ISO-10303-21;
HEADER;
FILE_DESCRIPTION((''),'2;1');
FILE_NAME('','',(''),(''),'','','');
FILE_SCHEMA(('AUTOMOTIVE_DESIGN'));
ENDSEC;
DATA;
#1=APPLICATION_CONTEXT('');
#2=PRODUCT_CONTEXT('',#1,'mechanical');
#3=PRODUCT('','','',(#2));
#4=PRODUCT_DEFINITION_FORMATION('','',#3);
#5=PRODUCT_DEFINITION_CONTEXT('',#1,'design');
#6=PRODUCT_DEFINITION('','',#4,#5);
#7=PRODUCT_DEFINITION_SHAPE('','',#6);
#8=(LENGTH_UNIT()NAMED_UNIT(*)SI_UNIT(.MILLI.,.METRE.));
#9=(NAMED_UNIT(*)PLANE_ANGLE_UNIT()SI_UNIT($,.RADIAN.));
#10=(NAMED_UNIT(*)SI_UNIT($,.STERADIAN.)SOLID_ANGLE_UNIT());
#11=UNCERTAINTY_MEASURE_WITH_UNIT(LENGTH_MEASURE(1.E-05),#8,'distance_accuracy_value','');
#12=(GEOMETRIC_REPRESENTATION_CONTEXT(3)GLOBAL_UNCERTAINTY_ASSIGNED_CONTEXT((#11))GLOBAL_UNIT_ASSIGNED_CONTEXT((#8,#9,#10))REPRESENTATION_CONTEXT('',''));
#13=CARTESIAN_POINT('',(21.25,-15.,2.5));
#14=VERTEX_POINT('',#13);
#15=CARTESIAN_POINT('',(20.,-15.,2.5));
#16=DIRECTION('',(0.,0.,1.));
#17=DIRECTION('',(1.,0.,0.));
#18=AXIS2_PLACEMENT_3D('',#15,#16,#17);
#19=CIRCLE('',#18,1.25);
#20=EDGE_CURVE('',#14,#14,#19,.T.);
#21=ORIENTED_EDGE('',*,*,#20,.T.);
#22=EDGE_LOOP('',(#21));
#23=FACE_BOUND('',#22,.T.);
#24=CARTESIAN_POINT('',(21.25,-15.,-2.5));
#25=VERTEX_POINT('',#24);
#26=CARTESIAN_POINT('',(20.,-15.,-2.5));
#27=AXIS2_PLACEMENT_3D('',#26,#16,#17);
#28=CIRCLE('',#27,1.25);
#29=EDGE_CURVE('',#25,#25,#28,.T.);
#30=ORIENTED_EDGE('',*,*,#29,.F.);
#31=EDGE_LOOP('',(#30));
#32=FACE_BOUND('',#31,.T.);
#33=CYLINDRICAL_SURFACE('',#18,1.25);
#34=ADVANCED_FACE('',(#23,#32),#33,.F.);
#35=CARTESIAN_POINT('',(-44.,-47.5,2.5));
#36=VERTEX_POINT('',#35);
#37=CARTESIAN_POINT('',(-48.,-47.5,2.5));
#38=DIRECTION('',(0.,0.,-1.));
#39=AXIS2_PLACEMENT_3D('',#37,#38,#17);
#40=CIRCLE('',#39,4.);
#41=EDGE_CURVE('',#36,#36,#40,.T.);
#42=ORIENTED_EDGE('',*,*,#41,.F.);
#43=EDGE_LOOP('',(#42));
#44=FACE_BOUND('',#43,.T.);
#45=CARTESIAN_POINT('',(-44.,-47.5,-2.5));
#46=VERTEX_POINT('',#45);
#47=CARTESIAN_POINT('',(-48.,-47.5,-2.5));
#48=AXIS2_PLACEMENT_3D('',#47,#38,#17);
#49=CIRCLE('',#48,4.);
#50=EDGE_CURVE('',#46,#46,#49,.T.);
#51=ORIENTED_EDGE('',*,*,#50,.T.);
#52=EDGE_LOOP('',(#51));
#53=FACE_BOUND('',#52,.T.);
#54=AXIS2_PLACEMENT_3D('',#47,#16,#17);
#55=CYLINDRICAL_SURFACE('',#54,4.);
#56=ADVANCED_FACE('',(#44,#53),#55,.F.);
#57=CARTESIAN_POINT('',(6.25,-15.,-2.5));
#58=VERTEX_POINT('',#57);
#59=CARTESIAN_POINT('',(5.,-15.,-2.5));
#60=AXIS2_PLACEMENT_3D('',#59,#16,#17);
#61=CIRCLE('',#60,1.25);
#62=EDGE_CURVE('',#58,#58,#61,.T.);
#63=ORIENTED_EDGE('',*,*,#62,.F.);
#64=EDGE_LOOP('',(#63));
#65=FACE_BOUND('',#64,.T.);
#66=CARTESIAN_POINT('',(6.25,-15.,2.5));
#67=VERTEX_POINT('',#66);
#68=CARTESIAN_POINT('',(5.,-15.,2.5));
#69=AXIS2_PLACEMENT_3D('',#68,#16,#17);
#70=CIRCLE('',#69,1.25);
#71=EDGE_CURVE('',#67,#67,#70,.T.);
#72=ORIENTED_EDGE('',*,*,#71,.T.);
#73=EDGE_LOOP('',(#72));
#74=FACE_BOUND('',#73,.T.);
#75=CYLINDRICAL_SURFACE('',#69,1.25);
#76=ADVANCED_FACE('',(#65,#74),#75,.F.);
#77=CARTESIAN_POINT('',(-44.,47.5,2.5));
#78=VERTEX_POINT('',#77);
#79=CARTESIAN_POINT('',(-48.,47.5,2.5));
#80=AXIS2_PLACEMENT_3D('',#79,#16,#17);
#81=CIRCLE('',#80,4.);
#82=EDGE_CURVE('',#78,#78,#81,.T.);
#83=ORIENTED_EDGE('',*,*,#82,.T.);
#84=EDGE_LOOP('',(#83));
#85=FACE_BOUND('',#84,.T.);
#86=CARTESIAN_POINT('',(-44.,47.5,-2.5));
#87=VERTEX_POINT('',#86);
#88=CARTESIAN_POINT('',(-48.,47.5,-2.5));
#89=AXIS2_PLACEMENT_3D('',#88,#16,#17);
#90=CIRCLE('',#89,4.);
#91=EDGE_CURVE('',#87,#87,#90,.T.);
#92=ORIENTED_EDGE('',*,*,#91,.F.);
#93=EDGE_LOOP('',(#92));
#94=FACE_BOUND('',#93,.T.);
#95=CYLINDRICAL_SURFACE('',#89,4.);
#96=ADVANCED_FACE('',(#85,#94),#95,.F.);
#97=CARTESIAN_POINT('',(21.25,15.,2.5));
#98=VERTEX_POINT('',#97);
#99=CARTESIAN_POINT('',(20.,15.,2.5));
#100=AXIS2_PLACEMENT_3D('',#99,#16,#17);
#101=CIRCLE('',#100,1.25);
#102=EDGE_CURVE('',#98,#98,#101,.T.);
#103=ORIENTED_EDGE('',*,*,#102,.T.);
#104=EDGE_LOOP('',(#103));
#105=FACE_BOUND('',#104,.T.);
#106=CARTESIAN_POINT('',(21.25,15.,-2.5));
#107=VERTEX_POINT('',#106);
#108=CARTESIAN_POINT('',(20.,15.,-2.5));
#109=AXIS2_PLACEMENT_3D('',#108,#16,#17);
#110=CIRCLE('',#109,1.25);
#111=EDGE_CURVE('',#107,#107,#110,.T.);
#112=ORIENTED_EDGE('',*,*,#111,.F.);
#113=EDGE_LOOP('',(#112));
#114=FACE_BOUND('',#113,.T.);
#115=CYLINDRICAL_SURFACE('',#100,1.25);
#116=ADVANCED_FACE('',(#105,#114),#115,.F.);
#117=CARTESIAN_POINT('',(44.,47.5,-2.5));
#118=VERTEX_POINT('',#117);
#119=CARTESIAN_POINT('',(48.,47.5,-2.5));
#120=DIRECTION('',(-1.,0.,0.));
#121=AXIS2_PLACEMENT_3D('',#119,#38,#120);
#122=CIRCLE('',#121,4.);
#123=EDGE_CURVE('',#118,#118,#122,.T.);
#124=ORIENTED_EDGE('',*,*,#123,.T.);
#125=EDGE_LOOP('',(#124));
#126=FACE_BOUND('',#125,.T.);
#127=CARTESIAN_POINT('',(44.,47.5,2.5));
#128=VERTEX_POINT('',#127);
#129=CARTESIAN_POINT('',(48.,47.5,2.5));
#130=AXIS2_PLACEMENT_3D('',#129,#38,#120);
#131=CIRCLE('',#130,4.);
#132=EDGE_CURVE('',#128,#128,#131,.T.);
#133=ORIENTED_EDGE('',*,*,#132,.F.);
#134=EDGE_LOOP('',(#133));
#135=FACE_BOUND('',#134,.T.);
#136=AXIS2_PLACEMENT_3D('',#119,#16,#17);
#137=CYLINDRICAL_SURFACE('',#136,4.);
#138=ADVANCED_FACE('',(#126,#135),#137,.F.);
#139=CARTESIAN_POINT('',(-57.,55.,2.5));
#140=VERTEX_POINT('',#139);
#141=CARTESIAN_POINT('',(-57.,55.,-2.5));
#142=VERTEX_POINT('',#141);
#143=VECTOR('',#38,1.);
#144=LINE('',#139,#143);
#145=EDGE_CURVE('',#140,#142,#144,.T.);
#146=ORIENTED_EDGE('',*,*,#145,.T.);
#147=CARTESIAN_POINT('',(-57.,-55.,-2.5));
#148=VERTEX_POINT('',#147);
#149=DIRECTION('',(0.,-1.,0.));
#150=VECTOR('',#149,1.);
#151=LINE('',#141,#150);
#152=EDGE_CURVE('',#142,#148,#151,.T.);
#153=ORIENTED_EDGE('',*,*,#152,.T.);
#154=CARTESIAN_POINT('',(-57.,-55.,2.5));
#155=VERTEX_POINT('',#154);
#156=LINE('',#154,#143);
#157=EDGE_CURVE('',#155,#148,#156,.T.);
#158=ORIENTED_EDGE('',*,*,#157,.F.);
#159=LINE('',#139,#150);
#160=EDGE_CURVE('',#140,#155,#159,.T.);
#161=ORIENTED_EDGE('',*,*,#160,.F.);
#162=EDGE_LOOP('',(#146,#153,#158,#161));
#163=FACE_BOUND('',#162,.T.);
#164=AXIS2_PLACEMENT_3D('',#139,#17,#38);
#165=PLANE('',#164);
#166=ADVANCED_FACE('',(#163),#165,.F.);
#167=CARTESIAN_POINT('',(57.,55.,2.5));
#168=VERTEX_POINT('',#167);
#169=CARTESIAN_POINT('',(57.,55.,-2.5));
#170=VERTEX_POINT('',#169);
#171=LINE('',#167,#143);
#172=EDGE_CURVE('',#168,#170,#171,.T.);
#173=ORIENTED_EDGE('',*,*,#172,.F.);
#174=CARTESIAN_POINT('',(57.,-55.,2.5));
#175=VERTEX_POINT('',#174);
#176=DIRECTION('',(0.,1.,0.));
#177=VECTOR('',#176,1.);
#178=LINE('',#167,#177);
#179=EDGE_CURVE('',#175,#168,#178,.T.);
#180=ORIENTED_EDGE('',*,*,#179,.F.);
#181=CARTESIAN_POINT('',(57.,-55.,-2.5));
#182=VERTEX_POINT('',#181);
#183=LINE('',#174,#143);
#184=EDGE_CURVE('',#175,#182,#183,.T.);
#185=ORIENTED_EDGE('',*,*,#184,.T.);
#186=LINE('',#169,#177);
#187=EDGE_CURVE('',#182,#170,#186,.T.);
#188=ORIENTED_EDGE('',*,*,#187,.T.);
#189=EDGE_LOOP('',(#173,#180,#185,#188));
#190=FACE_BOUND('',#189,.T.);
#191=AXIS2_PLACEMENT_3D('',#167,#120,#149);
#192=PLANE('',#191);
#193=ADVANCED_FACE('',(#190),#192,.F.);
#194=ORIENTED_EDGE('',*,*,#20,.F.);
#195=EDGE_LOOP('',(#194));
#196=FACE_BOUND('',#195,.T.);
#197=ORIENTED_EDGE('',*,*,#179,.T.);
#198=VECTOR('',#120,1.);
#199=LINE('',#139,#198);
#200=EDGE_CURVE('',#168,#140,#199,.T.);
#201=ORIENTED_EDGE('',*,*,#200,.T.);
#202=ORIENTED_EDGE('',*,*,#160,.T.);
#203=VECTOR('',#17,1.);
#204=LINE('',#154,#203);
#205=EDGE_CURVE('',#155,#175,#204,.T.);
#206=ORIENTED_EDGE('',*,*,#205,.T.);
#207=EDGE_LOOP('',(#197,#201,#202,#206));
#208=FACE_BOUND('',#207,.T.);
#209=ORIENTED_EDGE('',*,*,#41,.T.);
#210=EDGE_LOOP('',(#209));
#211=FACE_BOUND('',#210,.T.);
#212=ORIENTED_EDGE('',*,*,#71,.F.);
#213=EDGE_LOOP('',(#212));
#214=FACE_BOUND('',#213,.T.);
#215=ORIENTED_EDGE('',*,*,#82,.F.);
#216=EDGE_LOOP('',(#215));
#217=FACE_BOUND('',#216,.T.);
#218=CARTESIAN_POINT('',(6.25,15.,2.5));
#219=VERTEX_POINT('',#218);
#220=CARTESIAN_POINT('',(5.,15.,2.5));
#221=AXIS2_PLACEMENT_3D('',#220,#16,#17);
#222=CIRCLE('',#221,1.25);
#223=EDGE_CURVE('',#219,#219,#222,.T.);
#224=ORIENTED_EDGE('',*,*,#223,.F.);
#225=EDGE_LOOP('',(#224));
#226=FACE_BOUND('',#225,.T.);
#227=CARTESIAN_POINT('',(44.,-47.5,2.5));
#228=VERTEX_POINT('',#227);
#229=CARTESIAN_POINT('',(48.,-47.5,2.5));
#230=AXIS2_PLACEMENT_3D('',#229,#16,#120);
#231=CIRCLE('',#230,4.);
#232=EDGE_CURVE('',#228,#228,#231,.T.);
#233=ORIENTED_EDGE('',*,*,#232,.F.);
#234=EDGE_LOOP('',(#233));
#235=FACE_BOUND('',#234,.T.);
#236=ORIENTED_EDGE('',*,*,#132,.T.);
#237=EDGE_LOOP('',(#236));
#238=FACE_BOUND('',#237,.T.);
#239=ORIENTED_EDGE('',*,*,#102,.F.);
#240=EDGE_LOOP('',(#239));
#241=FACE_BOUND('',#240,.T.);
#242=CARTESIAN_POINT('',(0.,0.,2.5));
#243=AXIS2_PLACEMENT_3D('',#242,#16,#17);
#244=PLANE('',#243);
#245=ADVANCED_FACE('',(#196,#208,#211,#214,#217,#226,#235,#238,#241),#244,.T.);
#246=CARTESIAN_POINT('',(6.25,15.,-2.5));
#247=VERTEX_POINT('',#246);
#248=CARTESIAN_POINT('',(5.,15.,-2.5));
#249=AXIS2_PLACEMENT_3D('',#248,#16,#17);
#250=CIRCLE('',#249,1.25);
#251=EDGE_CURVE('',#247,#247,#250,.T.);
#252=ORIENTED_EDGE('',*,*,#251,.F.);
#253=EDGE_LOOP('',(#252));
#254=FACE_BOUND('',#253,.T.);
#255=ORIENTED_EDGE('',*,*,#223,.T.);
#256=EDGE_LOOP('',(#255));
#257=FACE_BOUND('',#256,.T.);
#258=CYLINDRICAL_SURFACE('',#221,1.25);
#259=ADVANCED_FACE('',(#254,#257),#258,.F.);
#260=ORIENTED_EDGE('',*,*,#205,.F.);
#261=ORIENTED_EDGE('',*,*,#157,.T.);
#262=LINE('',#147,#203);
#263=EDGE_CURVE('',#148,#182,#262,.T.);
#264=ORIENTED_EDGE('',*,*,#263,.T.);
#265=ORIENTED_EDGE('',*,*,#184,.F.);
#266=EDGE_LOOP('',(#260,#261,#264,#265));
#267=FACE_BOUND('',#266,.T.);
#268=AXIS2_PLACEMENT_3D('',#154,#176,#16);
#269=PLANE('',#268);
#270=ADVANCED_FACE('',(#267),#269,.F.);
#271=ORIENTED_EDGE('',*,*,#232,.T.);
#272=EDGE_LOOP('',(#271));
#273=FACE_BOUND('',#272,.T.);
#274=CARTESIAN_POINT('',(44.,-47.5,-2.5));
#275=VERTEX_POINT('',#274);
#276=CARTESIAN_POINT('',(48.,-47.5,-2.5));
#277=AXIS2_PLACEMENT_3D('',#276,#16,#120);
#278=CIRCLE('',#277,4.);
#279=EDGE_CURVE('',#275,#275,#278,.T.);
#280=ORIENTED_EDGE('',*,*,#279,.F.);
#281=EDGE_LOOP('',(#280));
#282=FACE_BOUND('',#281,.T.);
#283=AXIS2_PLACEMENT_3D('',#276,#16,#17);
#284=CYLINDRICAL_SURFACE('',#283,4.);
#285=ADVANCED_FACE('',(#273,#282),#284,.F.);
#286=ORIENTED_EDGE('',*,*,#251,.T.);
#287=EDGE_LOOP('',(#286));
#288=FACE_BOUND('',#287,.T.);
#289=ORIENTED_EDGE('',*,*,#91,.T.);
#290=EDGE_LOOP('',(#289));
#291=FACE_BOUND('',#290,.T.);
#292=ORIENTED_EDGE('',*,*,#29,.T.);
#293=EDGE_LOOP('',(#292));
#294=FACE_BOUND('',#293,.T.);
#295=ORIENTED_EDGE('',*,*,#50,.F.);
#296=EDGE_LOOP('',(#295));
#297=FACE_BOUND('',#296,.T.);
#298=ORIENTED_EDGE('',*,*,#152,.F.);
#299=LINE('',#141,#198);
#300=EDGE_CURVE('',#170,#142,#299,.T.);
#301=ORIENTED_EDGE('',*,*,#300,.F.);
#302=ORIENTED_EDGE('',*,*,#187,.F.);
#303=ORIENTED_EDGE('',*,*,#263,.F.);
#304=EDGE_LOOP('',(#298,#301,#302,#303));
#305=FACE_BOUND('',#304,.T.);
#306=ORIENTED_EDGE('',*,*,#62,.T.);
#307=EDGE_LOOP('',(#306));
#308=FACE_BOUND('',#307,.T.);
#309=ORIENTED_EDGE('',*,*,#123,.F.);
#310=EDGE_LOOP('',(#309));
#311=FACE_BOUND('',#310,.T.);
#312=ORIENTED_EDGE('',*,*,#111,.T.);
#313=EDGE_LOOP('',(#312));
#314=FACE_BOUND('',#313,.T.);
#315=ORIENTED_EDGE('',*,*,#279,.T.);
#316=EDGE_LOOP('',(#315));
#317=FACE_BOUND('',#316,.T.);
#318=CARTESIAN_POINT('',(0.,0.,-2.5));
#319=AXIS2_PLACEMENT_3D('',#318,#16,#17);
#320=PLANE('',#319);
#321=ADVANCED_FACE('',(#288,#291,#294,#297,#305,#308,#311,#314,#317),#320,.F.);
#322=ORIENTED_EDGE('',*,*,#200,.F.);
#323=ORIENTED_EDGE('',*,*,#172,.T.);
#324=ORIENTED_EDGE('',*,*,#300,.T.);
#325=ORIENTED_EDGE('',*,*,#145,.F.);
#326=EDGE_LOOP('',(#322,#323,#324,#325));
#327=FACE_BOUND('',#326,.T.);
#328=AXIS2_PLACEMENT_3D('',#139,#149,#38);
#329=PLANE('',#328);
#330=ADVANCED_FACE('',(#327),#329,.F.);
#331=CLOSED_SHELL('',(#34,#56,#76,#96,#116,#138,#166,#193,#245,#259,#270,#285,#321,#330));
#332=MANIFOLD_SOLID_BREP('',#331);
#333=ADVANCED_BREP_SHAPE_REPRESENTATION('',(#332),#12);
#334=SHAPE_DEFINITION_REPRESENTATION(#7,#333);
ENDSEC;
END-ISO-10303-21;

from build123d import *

# Parameters (mm, degrees)
SKETCH_1_W               = 114
SKETCH_1_H               = 110
EXTRUDE_2_DEPTH          = 2.5
SKETCH_2_R               = 4
CUT_EXTRUDE_1_DEPTH      = 80.366239674
MIRROR_2_COPY_1_SKETCH_R = 4
MIRROR_2_COPY_1_DEPTH    = 80.366239674
HOLE_WIZARD_M3_1_D       = 2.5


with BuildPart() as part:
    # 草图1 → 凸台-拉伸2 (new, symmetric)
    with BuildSketch(Plane.XY):
        Rectangle(SKETCH_1_W, SKETCH_1_H)
    extrude(amount=EXTRUDE_2_DEPTH, both=True)

    # 草图2 → 切除-拉伸1 (cut, through all)
    with BuildSketch(Plane.XY.offset(2.5)):
        with Locations((-48, 47.5)):
            Circle(SKETCH_2_R)
    cut_extrude_1 = extrude(amount=-CUT_EXTRUDE_1_DEPTH, mode=Mode.SUBTRACT)

    # 镜向1: 切除-拉伸1 across plane
    add(cut_extrude_1.mirror(Plane.ZX), mode=Mode.SUBTRACT)

    # 镜向2: 切除-拉伸1 across plane
    add(cut_extrude_1.mirror(Plane(origin=(0, 0, 0), x_dir=(0, 0, 1), z_dir=(1, 0, 0))), mode=Mode.SUBTRACT)

    # 镜向2 copy 1 sketch → 镜向2 copy 1 (cut, through all)
    with BuildSketch(Plane(origin=(0, 0, 2.5), x_dir=(-1, 0, 0), z_dir=(0, 0, 1))):
        with Locations((-48, 47.5)):
            Circle(MIRROR_2_COPY_1_SKETCH_R)
    extrude(amount=-MIRROR_2_COPY_1_DEPTH, mode=Mode.SUBTRACT)

    # M3 螺纹孔的螺纹孔钻头1 (through all)
    with Locations(Plane(origin=(5, 15, 2.5), x_dir=(1, 0, 0), z_dir=(0, 0, 1))):
        with Locations((0, 0), (15, 0)):
            hole_wizard_m3_1 = Hole(HOLE_WIZARD_M3_1_D / 2)

    # 镜向3: M3 螺纹孔的螺纹孔钻头1 across plane
    add(hole_wizard_m3_1.mirror(Plane.ZX), mode=Mode.SUBTRACT)


solid = part.part
